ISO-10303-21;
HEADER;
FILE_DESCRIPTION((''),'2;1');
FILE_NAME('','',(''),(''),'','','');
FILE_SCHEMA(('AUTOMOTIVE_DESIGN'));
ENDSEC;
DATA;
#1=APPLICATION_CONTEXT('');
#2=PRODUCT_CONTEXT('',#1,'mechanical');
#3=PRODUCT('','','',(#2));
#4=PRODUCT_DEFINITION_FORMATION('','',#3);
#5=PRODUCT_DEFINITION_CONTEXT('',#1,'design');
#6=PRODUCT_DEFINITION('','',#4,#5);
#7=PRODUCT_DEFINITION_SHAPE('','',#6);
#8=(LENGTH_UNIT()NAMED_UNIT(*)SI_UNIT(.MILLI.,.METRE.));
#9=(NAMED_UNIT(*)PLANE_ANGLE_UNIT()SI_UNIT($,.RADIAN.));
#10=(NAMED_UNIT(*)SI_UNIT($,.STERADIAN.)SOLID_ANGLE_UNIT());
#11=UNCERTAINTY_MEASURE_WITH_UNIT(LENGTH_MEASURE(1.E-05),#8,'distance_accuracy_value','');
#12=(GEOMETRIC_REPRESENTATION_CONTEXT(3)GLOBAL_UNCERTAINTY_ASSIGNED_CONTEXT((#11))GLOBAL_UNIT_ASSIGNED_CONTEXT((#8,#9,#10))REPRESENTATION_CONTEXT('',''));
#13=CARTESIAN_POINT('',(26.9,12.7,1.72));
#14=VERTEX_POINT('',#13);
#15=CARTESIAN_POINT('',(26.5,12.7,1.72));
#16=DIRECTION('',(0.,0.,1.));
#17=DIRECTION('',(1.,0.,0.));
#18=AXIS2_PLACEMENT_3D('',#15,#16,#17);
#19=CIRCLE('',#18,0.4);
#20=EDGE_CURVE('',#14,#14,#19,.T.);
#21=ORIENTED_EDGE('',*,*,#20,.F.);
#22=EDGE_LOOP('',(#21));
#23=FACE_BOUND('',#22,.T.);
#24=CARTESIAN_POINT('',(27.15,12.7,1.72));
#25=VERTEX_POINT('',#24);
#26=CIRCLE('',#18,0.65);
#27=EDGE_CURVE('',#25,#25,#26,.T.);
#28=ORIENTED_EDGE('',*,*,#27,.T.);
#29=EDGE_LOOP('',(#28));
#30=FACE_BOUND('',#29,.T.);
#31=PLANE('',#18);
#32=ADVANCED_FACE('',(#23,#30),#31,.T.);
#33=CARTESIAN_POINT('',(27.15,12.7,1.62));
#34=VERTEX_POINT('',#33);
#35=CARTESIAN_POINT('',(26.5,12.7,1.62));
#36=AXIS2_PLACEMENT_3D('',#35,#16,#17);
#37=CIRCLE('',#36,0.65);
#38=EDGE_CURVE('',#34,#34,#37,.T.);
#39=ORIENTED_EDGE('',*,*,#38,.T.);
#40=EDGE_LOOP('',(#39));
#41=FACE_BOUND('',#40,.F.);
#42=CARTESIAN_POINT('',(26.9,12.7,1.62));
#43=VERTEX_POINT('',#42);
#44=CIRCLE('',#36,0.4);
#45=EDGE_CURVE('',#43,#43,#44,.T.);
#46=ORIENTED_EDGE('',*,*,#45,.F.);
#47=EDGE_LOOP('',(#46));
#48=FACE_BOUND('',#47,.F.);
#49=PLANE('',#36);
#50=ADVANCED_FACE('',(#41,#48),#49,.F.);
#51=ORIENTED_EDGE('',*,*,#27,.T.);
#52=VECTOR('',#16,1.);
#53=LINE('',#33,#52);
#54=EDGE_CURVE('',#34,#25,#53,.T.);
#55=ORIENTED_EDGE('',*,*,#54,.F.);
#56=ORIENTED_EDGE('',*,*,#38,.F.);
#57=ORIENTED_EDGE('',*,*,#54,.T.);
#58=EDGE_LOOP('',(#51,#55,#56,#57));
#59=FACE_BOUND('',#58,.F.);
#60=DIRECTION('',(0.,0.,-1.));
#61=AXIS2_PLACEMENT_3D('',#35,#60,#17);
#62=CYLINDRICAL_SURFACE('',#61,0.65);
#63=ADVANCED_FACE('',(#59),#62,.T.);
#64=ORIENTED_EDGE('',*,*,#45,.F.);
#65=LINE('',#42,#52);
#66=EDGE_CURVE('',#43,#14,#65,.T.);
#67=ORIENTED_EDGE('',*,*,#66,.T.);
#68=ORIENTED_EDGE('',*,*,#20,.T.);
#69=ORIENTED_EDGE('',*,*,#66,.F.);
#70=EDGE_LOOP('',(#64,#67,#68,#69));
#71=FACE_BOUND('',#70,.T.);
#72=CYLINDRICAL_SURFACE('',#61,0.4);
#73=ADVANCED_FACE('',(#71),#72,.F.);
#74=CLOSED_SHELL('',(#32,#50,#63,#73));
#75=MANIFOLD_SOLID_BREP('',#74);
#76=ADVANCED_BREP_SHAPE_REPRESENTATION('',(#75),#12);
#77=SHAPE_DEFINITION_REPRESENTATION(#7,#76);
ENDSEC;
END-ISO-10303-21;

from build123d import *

# Parameters (mm, degrees)
CYLINDER007_R     = 0.4
CYLINDER007_DEPTH = 0.1
CYLINDER006_R     = 0.65
CYLINDER006_DEPTH = 0.1


with BuildPart() as cylinder007:
    # Cylinder007 → Cylinder007 (new body)
    with BuildSketch(Plane.XY.offset(1.62)):
        Circle(CYLINDER007_R)
    extrude(amount=CYLINDER007_DEPTH)


with BuildPart() as cut015:
    # Cylinder006 → Cylinder006 (new body)
    with BuildSketch(Plane.XY.offset(1.62)):
        Circle(CYLINDER006_R)
    extrude(amount=CYLINDER006_DEPTH)

    # Cut015: cut Cylinder007
    add(cylinder007.part, mode=Mode.SUBTRACT)


with BuildPart() as cut015_1:
    # Cut015 placement: moved
    add(cut015.part.moved(Location((26.5, 12.7, 0))))


solid = cut015_1.part
